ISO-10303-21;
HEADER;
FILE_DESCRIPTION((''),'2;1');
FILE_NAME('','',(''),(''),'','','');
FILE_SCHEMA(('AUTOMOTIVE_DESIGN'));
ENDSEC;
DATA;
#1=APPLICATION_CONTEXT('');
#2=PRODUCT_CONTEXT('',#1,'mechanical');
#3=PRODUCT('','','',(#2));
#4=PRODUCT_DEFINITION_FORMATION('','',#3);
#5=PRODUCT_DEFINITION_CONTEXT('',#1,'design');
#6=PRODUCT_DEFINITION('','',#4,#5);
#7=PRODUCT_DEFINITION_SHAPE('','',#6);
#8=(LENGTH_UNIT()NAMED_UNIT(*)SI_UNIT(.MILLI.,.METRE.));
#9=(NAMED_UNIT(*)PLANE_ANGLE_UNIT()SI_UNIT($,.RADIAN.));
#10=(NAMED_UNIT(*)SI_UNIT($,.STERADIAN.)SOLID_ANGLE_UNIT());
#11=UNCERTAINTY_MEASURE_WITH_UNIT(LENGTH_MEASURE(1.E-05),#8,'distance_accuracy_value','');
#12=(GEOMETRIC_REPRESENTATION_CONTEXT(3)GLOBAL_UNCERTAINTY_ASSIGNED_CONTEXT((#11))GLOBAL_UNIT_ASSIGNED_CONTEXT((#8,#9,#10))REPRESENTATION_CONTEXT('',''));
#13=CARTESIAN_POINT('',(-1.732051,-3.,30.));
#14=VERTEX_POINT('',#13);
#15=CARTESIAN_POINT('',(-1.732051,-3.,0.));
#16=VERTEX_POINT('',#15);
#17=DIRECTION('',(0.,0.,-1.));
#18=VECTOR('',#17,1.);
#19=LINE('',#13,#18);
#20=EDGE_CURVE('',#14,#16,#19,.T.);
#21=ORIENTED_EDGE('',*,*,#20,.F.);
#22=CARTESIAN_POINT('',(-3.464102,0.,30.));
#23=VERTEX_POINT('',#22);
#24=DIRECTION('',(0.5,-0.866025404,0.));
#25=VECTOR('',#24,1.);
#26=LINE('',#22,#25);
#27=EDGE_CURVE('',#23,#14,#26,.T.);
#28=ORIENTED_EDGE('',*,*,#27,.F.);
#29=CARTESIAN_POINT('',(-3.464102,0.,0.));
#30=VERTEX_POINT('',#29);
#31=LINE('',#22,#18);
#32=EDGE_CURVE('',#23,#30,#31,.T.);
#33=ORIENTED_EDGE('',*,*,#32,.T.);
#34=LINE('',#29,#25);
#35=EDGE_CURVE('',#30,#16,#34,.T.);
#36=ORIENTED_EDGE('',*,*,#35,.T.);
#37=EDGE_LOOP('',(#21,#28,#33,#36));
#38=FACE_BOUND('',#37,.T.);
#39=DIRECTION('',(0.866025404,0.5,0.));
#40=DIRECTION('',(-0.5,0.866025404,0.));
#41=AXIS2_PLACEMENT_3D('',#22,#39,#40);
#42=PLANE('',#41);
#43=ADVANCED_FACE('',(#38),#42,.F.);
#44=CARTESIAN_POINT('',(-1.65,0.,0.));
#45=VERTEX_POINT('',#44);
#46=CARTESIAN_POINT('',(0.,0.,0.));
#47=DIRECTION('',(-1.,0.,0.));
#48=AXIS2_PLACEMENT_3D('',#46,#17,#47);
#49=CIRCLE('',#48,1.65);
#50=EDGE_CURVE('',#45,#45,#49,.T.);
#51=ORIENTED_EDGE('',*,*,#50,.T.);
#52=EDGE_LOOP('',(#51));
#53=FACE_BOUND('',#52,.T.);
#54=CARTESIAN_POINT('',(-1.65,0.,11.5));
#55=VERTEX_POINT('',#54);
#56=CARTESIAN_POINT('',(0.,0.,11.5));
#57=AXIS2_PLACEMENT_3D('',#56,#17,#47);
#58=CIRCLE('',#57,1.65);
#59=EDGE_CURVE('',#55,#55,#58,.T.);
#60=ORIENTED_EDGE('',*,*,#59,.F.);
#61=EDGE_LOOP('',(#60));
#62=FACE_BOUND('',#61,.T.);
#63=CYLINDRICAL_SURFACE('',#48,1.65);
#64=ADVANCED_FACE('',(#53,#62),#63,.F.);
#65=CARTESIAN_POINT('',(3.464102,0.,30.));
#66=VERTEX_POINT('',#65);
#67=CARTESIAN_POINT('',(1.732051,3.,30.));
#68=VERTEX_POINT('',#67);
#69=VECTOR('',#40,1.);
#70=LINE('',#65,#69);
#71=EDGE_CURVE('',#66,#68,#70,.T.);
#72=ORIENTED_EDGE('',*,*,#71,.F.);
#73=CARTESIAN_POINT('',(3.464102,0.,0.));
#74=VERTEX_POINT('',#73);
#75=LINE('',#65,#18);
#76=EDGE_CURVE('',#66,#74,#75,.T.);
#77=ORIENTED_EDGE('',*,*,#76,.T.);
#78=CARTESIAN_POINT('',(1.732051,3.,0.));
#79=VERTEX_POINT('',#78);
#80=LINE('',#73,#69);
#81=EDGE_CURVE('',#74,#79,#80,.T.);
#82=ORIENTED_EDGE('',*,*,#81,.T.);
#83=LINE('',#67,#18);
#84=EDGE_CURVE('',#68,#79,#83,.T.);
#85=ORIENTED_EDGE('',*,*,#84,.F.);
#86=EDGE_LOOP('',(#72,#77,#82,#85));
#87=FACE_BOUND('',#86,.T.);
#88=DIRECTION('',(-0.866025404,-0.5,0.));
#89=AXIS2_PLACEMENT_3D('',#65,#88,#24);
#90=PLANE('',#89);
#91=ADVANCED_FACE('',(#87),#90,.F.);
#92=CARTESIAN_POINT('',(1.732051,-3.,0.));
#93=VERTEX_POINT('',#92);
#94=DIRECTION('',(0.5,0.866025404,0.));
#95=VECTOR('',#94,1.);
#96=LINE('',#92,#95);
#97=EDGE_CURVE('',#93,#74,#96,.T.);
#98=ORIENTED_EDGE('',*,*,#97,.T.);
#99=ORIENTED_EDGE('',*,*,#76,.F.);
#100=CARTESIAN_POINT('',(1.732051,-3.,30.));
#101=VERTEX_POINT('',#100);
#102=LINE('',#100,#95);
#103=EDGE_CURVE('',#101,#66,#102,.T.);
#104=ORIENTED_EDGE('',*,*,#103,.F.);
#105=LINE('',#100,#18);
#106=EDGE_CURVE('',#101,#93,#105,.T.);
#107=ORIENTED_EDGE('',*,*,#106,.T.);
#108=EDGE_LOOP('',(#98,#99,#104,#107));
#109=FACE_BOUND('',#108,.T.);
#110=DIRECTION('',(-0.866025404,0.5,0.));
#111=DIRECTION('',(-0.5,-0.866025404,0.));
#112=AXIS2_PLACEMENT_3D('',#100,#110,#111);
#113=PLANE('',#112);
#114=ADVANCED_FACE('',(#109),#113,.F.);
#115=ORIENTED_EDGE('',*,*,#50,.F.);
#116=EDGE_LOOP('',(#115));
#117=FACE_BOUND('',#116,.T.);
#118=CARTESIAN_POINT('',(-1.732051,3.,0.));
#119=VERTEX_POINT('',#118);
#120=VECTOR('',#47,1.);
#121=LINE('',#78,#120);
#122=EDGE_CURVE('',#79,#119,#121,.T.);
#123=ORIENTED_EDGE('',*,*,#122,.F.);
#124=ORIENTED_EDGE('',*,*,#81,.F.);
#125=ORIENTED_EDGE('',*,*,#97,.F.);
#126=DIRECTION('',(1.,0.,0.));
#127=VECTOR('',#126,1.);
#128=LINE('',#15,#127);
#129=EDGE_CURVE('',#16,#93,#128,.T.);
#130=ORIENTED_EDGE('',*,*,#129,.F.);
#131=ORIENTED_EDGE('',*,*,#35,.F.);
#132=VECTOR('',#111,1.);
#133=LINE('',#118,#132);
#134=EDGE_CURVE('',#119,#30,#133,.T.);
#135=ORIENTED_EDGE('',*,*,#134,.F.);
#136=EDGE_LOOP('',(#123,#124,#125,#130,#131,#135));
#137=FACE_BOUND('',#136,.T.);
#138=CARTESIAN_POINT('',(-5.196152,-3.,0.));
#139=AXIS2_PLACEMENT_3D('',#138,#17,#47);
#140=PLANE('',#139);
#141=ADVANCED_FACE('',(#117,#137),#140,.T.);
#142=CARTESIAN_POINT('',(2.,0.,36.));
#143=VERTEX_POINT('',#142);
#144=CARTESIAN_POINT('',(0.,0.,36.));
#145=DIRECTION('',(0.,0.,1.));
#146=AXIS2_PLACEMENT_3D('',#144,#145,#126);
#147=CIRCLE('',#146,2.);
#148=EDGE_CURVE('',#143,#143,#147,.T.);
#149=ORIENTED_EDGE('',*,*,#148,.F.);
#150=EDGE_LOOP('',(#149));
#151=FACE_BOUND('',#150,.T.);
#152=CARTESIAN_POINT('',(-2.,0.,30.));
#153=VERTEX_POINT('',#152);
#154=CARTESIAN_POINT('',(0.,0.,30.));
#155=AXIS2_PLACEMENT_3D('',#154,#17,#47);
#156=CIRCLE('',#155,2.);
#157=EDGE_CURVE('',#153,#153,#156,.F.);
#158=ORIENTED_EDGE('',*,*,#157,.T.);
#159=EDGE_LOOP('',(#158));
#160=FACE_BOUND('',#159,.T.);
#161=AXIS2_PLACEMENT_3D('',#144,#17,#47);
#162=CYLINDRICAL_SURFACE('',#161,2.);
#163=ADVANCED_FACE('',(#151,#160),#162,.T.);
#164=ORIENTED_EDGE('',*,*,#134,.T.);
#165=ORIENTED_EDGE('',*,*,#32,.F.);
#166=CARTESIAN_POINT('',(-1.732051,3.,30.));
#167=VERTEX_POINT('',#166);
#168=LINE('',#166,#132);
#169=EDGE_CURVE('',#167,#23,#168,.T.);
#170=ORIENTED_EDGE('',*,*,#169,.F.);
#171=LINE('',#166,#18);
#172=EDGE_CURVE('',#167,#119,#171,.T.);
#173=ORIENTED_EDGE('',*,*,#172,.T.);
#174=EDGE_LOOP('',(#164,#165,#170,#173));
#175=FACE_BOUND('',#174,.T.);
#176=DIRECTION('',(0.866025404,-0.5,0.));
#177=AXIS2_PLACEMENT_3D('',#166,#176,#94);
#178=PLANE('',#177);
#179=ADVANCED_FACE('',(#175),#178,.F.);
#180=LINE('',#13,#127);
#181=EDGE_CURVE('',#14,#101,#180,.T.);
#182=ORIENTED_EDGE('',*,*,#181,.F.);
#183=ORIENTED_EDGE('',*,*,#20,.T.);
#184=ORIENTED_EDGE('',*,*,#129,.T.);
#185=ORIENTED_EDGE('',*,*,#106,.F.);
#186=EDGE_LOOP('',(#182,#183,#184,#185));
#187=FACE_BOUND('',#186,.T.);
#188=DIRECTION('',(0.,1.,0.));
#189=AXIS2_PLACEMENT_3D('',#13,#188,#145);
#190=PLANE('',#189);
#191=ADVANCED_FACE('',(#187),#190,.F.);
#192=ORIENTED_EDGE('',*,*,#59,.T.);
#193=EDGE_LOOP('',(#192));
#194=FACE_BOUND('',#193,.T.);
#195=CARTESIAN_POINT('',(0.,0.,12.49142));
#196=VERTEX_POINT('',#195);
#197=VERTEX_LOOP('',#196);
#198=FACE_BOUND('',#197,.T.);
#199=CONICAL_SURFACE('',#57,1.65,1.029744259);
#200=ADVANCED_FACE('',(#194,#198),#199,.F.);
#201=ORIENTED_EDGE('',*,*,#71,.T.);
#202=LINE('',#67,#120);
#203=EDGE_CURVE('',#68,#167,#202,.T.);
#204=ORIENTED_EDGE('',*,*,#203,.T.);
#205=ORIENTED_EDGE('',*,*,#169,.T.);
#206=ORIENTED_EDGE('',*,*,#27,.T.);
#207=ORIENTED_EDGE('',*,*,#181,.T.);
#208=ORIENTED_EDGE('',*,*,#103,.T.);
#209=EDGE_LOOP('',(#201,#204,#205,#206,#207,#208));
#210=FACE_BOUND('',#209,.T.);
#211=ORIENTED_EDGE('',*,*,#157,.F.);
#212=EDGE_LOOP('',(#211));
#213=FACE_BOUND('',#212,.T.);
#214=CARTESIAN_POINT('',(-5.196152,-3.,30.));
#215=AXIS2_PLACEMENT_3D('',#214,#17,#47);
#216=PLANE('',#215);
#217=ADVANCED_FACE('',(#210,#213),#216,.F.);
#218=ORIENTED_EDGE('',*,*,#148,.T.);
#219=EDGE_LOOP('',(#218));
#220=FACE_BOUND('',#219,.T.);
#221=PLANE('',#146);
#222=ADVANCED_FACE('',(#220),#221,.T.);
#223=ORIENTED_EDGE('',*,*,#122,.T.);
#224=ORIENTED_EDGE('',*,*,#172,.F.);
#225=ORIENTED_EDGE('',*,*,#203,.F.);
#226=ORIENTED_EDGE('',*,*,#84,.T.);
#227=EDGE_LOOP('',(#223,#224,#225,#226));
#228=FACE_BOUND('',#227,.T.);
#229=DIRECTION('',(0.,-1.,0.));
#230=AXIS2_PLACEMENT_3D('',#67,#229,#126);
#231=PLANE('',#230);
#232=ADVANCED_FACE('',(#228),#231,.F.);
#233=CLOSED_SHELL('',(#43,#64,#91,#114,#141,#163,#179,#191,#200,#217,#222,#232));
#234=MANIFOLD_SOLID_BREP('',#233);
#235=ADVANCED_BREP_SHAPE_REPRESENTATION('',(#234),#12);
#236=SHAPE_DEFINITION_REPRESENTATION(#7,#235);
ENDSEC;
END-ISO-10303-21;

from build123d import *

# Parameters (mm, degrees)
EXTRUDE_1_DEPTH        = 30
SKETCH_2_R             = 2
EXTRUDE_2_DEPTH        = 6
HOLE_WIZARD_M4_1_D     = 3.3
HOLE_WIZARD_M4_1_DEPTH = 11.5
HOLE_WIZARD_M4_1_TIP   = 0.991420021


with BuildPart() as part:
    # 草图1 → 拉伸1 (new body)
    with BuildSketch(Plane.XY):
        Polygon((1.732050808, -3), (3.464101615, 0), (1.732050808, 3), (-1.732050808, 3), (-3.464101615, 0), (-1.732050808, -3), align=None)
    extrude(amount=EXTRUDE_1_DEPTH)

    # 草图2 → 拉伸2 (add)
    with BuildSketch(Plane.XY.offset(30)):
        with Locations(Location((0, 0, 0), (0, 0, 180))):
            Circle(SKETCH_2_R)
    extrude(amount=EXTRUDE_2_DEPTH)

    # M4 螺纹孔1
    with Locations(Plane(origin=(0, 0, 0), x_dir=(-1, 0, 0), z_dir=(0, 0, -1))):
        with Locations((0, 0)):
            Hole(HOLE_WIZARD_M4_1_D / 2, depth=HOLE_WIZARD_M4_1_DEPTH)
            with Locations((0, 0, -(HOLE_WIZARD_M4_1_DEPTH + HOLE_WIZARD_M4_1_TIP / 2))):  # 118° drill point
                Cone(0, HOLE_WIZARD_M4_1_D / 2, HOLE_WIZARD_M4_1_TIP, mode=Mode.SUBTRACT)


solid = part.part
